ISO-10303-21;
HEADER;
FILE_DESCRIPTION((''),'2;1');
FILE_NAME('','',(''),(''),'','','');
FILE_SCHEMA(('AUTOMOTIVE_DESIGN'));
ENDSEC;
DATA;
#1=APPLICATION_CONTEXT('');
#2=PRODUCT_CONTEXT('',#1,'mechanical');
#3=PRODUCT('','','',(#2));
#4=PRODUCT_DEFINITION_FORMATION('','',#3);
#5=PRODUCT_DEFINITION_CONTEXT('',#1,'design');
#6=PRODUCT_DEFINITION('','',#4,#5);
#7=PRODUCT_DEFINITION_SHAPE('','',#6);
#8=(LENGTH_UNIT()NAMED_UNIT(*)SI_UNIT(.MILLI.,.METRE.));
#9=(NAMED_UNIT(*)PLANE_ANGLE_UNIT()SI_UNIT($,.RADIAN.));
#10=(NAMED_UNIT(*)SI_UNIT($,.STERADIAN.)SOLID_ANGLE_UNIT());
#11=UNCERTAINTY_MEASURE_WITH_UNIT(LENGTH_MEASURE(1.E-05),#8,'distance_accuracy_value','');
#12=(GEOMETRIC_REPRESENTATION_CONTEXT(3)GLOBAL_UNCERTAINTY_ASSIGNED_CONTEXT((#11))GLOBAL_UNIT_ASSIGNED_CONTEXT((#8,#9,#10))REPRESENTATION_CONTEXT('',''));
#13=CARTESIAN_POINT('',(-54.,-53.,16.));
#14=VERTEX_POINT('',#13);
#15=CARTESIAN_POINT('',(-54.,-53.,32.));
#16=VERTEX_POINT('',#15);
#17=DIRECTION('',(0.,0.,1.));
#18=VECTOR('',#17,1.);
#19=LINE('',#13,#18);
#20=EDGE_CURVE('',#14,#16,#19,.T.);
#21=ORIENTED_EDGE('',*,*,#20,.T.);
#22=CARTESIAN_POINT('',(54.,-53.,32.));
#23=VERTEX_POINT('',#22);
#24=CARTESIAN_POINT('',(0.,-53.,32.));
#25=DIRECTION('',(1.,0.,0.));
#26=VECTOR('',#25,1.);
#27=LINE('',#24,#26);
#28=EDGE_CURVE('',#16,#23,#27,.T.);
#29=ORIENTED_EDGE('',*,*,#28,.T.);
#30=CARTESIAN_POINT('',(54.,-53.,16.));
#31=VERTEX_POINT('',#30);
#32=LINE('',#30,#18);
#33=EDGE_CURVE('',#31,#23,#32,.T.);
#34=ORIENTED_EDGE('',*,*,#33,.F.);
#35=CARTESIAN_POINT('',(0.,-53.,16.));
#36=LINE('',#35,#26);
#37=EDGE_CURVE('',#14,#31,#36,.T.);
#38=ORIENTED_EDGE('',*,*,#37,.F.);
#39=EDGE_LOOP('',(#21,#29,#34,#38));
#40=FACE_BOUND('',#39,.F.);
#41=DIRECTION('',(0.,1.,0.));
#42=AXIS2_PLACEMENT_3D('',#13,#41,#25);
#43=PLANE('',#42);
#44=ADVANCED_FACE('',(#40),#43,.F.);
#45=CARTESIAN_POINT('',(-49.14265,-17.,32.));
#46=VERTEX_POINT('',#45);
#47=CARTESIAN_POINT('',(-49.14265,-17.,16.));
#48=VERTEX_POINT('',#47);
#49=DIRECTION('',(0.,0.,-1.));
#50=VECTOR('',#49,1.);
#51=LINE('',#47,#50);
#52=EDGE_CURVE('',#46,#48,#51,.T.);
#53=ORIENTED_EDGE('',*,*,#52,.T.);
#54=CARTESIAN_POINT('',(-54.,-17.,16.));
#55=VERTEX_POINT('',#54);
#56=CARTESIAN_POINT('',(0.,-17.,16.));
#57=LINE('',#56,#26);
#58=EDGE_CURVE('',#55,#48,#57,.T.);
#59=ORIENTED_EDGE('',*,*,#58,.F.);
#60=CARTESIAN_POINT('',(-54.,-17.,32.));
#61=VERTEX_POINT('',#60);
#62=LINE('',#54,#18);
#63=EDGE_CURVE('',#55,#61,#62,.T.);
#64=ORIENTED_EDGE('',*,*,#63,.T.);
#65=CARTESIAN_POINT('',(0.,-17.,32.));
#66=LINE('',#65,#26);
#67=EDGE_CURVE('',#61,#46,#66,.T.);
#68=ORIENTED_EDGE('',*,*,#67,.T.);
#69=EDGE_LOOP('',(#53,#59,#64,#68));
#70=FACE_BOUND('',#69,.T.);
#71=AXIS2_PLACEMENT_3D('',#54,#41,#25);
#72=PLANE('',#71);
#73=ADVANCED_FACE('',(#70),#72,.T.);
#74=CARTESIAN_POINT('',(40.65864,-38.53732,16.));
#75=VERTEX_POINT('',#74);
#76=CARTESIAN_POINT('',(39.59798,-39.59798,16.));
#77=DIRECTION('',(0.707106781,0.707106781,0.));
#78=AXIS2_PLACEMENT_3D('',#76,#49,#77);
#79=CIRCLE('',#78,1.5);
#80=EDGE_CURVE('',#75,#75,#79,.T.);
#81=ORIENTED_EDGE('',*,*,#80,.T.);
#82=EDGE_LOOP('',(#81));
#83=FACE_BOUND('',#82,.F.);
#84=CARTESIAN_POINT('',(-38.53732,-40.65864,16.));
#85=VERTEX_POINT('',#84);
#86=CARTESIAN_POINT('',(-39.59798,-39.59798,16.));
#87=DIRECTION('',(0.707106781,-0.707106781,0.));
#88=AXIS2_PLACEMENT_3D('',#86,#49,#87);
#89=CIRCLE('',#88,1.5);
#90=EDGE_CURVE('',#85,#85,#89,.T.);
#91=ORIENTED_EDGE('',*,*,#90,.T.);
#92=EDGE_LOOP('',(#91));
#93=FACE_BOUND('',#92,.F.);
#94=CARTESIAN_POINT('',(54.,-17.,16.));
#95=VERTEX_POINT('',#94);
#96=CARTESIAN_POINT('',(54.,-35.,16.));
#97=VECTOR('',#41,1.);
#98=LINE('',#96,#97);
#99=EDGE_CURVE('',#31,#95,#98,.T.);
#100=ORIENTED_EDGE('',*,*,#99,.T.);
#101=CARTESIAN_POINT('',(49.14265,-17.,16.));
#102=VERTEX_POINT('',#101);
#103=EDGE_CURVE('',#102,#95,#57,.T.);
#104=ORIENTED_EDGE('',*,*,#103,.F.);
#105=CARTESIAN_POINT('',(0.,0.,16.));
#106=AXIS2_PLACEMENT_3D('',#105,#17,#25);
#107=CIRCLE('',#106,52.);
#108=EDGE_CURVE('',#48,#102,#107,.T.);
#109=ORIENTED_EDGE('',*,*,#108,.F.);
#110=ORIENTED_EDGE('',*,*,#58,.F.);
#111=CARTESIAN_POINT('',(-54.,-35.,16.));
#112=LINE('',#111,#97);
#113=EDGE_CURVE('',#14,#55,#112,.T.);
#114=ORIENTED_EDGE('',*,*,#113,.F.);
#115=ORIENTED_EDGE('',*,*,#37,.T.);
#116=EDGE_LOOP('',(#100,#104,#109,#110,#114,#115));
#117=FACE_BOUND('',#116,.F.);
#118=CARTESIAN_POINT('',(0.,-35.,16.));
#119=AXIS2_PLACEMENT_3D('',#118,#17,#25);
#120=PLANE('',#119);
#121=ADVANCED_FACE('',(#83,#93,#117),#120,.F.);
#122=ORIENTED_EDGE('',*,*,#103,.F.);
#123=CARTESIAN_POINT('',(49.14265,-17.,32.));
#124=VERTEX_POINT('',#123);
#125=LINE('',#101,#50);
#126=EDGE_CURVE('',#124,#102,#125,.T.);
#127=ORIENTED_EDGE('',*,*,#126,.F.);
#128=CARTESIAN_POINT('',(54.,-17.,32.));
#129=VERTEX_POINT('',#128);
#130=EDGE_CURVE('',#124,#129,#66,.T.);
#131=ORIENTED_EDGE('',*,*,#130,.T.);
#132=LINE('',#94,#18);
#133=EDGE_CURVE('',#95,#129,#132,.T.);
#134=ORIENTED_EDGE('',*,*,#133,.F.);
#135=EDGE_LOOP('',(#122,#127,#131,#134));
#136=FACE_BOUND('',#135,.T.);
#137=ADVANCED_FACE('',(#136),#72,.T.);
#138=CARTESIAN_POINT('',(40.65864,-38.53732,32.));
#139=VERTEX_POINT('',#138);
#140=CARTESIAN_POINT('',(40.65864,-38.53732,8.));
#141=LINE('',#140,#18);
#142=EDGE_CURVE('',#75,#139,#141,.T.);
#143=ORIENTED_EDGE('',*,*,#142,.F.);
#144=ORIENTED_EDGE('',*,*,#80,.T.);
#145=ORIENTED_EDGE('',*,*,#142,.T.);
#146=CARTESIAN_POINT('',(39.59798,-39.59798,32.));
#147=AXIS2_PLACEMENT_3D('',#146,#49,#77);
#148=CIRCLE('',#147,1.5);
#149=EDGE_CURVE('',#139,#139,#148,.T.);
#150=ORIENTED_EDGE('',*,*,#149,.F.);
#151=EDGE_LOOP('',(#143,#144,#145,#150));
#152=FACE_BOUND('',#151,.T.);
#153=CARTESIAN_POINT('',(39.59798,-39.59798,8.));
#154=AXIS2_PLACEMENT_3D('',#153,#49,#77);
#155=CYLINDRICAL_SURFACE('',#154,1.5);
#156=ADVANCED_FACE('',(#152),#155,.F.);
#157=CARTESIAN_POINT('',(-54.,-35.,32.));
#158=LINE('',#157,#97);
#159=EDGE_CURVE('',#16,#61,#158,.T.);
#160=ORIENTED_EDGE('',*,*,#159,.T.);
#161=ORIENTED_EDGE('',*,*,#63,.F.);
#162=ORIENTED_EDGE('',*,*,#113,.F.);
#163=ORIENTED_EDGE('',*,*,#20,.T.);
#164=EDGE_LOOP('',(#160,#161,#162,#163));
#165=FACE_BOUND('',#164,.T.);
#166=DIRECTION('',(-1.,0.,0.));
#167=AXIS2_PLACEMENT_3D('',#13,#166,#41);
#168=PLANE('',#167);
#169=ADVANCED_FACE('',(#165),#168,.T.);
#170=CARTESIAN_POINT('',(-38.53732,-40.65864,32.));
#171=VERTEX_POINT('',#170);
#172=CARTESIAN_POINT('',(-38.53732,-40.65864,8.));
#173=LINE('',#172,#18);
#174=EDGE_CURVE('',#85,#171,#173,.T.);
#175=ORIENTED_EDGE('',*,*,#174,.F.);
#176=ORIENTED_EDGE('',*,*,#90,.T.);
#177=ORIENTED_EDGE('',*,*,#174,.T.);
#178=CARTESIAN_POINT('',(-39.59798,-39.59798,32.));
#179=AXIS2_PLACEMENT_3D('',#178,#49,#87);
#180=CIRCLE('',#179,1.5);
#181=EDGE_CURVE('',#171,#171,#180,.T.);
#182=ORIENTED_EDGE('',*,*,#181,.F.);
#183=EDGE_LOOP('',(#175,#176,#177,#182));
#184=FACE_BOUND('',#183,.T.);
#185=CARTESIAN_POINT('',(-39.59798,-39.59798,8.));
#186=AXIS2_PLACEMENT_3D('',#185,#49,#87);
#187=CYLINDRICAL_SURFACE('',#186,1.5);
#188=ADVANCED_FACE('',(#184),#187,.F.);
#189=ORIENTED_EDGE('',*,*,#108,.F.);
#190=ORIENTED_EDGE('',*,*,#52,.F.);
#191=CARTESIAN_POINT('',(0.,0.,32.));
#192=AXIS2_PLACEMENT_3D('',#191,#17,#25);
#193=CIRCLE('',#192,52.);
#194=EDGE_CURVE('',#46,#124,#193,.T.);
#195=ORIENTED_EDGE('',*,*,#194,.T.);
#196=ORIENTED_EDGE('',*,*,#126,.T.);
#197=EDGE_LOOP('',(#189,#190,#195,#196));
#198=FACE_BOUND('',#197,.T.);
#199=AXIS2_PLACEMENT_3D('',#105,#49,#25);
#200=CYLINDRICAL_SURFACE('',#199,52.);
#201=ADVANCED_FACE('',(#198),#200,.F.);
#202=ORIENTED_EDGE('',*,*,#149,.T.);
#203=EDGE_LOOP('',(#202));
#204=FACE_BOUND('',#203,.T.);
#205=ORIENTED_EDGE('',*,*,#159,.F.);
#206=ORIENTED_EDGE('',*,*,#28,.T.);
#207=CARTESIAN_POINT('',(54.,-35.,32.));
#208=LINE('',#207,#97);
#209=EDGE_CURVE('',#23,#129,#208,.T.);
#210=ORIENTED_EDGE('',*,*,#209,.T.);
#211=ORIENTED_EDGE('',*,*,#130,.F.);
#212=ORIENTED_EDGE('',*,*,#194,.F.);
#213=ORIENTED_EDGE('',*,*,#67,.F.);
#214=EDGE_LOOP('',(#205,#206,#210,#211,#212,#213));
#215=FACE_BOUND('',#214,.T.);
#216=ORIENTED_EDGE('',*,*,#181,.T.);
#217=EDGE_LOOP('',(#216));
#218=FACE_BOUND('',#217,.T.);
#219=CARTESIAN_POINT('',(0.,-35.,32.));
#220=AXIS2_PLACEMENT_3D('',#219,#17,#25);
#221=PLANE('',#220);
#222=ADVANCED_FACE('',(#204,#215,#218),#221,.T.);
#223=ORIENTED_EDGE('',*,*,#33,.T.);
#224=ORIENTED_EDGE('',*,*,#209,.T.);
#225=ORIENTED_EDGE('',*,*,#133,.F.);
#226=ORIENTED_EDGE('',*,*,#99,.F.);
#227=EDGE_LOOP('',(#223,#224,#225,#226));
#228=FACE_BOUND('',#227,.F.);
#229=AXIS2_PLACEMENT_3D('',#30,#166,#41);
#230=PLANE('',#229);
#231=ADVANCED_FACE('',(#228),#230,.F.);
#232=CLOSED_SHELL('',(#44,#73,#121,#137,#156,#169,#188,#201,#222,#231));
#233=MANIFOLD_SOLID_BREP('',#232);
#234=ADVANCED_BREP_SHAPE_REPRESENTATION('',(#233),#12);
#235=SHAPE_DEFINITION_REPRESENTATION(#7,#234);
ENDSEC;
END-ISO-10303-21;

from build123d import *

# Parameters (mm, degrees)
CYLINDER1016_R               = 1.5
CYLINDER1016_DEPTH           = 50
CYLINDER1016_PLACEMENT_ANGLE = 45
CYLINDER1012_R               = 1.5
CYLINDER1012_DEPTH           = 50
CYLINDER1012_PLACEMENT_ANGLE = 135
CYLINDER1014_R               = 1.5
CYLINDER1014_DEPTH           = 50
CYLINDER1017_R               = 1.5
CYLINDER1017_DEPTH           = 50
CYLINDER1017_PLACEMENT_ANGLE = 225
CYLINDER1018_R               = 1.5
CYLINDER1018_DEPTH           = 50
CYLINDER1013_R               = 1.5
CYLINDER1013_DEPTH           = 50
CYLINDER1013_PLACEMENT_ANGLE = 45
CYLINDER1015_R               = 1.5
CYLINDER1015_DEPTH           = 50
CYLINDER1011_R               = 52
CYLINDER1011_DEPTH           = 16
BOX416_W                     = 108
BOX416_H                     = 36
BOX416_DEPTH                 = 16


with BuildPart() as v_lec1016:
    # Cylinder1016 → Cylinder1016 (new body)
    with BuildSketch(Plane.XY):
        Circle(CYLINDER1016_R)
    extrude(amount=CYLINDER1016_DEPTH)


with BuildPart() as v_lec1016_1:
    # Cylinder1016 placement: moved
    add(v_lec1016.part.moved(Location((39.59798, -39.59798, 2))).rotate(Axis((39.59798, -39.59798, 2), (0, 0, 1)), CYLINDER1016_PLACEMENT_ANGLE))


with BuildPart() as v_lec1012:
    # Cylinder1012 → Cylinder1012 (new body)
    with BuildSketch(Plane.XY):
        Circle(CYLINDER1012_R)
    extrude(amount=CYLINDER1012_DEPTH)


with BuildPart() as v_lec1012_1:
    # Cylinder1012 placement: moved
    add(v_lec1012.part.moved(Location((39.59798, 39.59798, 2))).rotate(Axis((39.59798, 39.59798, 2), (0, 0, 1)), CYLINDER1012_PLACEMENT_ANGLE))


with BuildPart() as v_lec1014:
    # Cylinder1014 → Cylinder1014 (new body)
    with BuildSketch(Plane(origin=(0, 56, 2), x_dir=(-1, 0, 0), z_dir=(0, 0, 1))):
        Circle(CYLINDER1014_R)
    extrude(amount=CYLINDER1014_DEPTH)


with BuildPart() as v_lec1017:
    # Cylinder1017 → Cylinder1017 (new body)
    with BuildSketch(Plane.XY):
        Circle(CYLINDER1017_R)
    extrude(amount=CYLINDER1017_DEPTH)


with BuildPart() as v_lec1017_1:
    # Cylinder1017 placement: moved
    add(v_lec1017.part.moved(Location((-39.59798, 39.59798, 2))).rotate(Axis((-39.59798, 39.59798, 2), (0, 0, 1)), CYLINDER1017_PLACEMENT_ANGLE))


with BuildPart() as v_lec1018:
    # Cylinder1018 → Cylinder1018 (new body)
    with BuildSketch(Plane(origin=(-56, 0, 2), x_dir=(0, -1, 0), z_dir=(0, 0, 1))):
        Circle(CYLINDER1018_R)
    extrude(amount=CYLINDER1018_DEPTH)


with BuildPart() as v_lec1013:
    # Cylinder1013 → Cylinder1013 (new body)
    with BuildSketch(Plane.XY):
        Circle(CYLINDER1013_R)
    extrude(amount=CYLINDER1013_DEPTH)


with BuildPart() as v_lec1013_1:
    # Cylinder1013 placement: moved
    add(v_lec1013.part.moved(Location((-39.59798, -39.59798, 2))).rotate(Axis((-39.59798, -39.59798, 2), (0, 0, -1)), CYLINDER1013_PLACEMENT_ANGLE))


with BuildPart() as compound817:
    # Cylinder1015 → Cylinder1015 (new body)
    with BuildSketch(Plane(origin=(0, -56, 2), x_dir=(1, 0, 0), z_dir=(0, 0, 1))):
        Circle(CYLINDER1015_R)
    extrude(amount=CYLINDER1015_DEPTH)

    # Compound817: union Válec1016, Válec1012, Válec1014, Válec1017, Válec1018, Válec1013
    add(v_lec1016_1.part)
    add(v_lec1012_1.part)
    add(v_lec1014.part)
    add(v_lec1017_1.part)
    add(v_lec1018.part)
    add(v_lec1013_1.part)


with BuildPart() as v_lec1011:
    # Cylinder1011 → Cylinder1011 (new body)
    with BuildSketch(Plane.XY.offset(20)):
        Circle(CYLINDER1011_R)
    extrude(amount=CYLINDER1011_DEPTH)


with BuildPart() as cut423:
    # Box416 → Box416 (new body)
    with BuildSketch(Plane(origin=(-54, -53, 20), x_dir=(1, 0, 0), z_dir=(0, 0, 1))):
        with Locations((54, 18)):
            Rectangle(BOX416_W, BOX416_H)
    extrude(amount=BOX416_DEPTH)

    # Cut424: cut Válec1011
    add(v_lec1011.part, mode=Mode.SUBTRACT)


with BuildPart() as cut423_1:
    # Cut424 placement: moved
    add(cut423.part.moved(Location((0, 0, -10))))

    # Cut423: cut Compound817
    add(compound817.part, mode=Mode.SUBTRACT)


with BuildPart() as cut423_2:
    # Cut423 placement: moved
    add(cut423_1.part.moved(Location((0, 0, 6))))


solid = cut423_2.part
